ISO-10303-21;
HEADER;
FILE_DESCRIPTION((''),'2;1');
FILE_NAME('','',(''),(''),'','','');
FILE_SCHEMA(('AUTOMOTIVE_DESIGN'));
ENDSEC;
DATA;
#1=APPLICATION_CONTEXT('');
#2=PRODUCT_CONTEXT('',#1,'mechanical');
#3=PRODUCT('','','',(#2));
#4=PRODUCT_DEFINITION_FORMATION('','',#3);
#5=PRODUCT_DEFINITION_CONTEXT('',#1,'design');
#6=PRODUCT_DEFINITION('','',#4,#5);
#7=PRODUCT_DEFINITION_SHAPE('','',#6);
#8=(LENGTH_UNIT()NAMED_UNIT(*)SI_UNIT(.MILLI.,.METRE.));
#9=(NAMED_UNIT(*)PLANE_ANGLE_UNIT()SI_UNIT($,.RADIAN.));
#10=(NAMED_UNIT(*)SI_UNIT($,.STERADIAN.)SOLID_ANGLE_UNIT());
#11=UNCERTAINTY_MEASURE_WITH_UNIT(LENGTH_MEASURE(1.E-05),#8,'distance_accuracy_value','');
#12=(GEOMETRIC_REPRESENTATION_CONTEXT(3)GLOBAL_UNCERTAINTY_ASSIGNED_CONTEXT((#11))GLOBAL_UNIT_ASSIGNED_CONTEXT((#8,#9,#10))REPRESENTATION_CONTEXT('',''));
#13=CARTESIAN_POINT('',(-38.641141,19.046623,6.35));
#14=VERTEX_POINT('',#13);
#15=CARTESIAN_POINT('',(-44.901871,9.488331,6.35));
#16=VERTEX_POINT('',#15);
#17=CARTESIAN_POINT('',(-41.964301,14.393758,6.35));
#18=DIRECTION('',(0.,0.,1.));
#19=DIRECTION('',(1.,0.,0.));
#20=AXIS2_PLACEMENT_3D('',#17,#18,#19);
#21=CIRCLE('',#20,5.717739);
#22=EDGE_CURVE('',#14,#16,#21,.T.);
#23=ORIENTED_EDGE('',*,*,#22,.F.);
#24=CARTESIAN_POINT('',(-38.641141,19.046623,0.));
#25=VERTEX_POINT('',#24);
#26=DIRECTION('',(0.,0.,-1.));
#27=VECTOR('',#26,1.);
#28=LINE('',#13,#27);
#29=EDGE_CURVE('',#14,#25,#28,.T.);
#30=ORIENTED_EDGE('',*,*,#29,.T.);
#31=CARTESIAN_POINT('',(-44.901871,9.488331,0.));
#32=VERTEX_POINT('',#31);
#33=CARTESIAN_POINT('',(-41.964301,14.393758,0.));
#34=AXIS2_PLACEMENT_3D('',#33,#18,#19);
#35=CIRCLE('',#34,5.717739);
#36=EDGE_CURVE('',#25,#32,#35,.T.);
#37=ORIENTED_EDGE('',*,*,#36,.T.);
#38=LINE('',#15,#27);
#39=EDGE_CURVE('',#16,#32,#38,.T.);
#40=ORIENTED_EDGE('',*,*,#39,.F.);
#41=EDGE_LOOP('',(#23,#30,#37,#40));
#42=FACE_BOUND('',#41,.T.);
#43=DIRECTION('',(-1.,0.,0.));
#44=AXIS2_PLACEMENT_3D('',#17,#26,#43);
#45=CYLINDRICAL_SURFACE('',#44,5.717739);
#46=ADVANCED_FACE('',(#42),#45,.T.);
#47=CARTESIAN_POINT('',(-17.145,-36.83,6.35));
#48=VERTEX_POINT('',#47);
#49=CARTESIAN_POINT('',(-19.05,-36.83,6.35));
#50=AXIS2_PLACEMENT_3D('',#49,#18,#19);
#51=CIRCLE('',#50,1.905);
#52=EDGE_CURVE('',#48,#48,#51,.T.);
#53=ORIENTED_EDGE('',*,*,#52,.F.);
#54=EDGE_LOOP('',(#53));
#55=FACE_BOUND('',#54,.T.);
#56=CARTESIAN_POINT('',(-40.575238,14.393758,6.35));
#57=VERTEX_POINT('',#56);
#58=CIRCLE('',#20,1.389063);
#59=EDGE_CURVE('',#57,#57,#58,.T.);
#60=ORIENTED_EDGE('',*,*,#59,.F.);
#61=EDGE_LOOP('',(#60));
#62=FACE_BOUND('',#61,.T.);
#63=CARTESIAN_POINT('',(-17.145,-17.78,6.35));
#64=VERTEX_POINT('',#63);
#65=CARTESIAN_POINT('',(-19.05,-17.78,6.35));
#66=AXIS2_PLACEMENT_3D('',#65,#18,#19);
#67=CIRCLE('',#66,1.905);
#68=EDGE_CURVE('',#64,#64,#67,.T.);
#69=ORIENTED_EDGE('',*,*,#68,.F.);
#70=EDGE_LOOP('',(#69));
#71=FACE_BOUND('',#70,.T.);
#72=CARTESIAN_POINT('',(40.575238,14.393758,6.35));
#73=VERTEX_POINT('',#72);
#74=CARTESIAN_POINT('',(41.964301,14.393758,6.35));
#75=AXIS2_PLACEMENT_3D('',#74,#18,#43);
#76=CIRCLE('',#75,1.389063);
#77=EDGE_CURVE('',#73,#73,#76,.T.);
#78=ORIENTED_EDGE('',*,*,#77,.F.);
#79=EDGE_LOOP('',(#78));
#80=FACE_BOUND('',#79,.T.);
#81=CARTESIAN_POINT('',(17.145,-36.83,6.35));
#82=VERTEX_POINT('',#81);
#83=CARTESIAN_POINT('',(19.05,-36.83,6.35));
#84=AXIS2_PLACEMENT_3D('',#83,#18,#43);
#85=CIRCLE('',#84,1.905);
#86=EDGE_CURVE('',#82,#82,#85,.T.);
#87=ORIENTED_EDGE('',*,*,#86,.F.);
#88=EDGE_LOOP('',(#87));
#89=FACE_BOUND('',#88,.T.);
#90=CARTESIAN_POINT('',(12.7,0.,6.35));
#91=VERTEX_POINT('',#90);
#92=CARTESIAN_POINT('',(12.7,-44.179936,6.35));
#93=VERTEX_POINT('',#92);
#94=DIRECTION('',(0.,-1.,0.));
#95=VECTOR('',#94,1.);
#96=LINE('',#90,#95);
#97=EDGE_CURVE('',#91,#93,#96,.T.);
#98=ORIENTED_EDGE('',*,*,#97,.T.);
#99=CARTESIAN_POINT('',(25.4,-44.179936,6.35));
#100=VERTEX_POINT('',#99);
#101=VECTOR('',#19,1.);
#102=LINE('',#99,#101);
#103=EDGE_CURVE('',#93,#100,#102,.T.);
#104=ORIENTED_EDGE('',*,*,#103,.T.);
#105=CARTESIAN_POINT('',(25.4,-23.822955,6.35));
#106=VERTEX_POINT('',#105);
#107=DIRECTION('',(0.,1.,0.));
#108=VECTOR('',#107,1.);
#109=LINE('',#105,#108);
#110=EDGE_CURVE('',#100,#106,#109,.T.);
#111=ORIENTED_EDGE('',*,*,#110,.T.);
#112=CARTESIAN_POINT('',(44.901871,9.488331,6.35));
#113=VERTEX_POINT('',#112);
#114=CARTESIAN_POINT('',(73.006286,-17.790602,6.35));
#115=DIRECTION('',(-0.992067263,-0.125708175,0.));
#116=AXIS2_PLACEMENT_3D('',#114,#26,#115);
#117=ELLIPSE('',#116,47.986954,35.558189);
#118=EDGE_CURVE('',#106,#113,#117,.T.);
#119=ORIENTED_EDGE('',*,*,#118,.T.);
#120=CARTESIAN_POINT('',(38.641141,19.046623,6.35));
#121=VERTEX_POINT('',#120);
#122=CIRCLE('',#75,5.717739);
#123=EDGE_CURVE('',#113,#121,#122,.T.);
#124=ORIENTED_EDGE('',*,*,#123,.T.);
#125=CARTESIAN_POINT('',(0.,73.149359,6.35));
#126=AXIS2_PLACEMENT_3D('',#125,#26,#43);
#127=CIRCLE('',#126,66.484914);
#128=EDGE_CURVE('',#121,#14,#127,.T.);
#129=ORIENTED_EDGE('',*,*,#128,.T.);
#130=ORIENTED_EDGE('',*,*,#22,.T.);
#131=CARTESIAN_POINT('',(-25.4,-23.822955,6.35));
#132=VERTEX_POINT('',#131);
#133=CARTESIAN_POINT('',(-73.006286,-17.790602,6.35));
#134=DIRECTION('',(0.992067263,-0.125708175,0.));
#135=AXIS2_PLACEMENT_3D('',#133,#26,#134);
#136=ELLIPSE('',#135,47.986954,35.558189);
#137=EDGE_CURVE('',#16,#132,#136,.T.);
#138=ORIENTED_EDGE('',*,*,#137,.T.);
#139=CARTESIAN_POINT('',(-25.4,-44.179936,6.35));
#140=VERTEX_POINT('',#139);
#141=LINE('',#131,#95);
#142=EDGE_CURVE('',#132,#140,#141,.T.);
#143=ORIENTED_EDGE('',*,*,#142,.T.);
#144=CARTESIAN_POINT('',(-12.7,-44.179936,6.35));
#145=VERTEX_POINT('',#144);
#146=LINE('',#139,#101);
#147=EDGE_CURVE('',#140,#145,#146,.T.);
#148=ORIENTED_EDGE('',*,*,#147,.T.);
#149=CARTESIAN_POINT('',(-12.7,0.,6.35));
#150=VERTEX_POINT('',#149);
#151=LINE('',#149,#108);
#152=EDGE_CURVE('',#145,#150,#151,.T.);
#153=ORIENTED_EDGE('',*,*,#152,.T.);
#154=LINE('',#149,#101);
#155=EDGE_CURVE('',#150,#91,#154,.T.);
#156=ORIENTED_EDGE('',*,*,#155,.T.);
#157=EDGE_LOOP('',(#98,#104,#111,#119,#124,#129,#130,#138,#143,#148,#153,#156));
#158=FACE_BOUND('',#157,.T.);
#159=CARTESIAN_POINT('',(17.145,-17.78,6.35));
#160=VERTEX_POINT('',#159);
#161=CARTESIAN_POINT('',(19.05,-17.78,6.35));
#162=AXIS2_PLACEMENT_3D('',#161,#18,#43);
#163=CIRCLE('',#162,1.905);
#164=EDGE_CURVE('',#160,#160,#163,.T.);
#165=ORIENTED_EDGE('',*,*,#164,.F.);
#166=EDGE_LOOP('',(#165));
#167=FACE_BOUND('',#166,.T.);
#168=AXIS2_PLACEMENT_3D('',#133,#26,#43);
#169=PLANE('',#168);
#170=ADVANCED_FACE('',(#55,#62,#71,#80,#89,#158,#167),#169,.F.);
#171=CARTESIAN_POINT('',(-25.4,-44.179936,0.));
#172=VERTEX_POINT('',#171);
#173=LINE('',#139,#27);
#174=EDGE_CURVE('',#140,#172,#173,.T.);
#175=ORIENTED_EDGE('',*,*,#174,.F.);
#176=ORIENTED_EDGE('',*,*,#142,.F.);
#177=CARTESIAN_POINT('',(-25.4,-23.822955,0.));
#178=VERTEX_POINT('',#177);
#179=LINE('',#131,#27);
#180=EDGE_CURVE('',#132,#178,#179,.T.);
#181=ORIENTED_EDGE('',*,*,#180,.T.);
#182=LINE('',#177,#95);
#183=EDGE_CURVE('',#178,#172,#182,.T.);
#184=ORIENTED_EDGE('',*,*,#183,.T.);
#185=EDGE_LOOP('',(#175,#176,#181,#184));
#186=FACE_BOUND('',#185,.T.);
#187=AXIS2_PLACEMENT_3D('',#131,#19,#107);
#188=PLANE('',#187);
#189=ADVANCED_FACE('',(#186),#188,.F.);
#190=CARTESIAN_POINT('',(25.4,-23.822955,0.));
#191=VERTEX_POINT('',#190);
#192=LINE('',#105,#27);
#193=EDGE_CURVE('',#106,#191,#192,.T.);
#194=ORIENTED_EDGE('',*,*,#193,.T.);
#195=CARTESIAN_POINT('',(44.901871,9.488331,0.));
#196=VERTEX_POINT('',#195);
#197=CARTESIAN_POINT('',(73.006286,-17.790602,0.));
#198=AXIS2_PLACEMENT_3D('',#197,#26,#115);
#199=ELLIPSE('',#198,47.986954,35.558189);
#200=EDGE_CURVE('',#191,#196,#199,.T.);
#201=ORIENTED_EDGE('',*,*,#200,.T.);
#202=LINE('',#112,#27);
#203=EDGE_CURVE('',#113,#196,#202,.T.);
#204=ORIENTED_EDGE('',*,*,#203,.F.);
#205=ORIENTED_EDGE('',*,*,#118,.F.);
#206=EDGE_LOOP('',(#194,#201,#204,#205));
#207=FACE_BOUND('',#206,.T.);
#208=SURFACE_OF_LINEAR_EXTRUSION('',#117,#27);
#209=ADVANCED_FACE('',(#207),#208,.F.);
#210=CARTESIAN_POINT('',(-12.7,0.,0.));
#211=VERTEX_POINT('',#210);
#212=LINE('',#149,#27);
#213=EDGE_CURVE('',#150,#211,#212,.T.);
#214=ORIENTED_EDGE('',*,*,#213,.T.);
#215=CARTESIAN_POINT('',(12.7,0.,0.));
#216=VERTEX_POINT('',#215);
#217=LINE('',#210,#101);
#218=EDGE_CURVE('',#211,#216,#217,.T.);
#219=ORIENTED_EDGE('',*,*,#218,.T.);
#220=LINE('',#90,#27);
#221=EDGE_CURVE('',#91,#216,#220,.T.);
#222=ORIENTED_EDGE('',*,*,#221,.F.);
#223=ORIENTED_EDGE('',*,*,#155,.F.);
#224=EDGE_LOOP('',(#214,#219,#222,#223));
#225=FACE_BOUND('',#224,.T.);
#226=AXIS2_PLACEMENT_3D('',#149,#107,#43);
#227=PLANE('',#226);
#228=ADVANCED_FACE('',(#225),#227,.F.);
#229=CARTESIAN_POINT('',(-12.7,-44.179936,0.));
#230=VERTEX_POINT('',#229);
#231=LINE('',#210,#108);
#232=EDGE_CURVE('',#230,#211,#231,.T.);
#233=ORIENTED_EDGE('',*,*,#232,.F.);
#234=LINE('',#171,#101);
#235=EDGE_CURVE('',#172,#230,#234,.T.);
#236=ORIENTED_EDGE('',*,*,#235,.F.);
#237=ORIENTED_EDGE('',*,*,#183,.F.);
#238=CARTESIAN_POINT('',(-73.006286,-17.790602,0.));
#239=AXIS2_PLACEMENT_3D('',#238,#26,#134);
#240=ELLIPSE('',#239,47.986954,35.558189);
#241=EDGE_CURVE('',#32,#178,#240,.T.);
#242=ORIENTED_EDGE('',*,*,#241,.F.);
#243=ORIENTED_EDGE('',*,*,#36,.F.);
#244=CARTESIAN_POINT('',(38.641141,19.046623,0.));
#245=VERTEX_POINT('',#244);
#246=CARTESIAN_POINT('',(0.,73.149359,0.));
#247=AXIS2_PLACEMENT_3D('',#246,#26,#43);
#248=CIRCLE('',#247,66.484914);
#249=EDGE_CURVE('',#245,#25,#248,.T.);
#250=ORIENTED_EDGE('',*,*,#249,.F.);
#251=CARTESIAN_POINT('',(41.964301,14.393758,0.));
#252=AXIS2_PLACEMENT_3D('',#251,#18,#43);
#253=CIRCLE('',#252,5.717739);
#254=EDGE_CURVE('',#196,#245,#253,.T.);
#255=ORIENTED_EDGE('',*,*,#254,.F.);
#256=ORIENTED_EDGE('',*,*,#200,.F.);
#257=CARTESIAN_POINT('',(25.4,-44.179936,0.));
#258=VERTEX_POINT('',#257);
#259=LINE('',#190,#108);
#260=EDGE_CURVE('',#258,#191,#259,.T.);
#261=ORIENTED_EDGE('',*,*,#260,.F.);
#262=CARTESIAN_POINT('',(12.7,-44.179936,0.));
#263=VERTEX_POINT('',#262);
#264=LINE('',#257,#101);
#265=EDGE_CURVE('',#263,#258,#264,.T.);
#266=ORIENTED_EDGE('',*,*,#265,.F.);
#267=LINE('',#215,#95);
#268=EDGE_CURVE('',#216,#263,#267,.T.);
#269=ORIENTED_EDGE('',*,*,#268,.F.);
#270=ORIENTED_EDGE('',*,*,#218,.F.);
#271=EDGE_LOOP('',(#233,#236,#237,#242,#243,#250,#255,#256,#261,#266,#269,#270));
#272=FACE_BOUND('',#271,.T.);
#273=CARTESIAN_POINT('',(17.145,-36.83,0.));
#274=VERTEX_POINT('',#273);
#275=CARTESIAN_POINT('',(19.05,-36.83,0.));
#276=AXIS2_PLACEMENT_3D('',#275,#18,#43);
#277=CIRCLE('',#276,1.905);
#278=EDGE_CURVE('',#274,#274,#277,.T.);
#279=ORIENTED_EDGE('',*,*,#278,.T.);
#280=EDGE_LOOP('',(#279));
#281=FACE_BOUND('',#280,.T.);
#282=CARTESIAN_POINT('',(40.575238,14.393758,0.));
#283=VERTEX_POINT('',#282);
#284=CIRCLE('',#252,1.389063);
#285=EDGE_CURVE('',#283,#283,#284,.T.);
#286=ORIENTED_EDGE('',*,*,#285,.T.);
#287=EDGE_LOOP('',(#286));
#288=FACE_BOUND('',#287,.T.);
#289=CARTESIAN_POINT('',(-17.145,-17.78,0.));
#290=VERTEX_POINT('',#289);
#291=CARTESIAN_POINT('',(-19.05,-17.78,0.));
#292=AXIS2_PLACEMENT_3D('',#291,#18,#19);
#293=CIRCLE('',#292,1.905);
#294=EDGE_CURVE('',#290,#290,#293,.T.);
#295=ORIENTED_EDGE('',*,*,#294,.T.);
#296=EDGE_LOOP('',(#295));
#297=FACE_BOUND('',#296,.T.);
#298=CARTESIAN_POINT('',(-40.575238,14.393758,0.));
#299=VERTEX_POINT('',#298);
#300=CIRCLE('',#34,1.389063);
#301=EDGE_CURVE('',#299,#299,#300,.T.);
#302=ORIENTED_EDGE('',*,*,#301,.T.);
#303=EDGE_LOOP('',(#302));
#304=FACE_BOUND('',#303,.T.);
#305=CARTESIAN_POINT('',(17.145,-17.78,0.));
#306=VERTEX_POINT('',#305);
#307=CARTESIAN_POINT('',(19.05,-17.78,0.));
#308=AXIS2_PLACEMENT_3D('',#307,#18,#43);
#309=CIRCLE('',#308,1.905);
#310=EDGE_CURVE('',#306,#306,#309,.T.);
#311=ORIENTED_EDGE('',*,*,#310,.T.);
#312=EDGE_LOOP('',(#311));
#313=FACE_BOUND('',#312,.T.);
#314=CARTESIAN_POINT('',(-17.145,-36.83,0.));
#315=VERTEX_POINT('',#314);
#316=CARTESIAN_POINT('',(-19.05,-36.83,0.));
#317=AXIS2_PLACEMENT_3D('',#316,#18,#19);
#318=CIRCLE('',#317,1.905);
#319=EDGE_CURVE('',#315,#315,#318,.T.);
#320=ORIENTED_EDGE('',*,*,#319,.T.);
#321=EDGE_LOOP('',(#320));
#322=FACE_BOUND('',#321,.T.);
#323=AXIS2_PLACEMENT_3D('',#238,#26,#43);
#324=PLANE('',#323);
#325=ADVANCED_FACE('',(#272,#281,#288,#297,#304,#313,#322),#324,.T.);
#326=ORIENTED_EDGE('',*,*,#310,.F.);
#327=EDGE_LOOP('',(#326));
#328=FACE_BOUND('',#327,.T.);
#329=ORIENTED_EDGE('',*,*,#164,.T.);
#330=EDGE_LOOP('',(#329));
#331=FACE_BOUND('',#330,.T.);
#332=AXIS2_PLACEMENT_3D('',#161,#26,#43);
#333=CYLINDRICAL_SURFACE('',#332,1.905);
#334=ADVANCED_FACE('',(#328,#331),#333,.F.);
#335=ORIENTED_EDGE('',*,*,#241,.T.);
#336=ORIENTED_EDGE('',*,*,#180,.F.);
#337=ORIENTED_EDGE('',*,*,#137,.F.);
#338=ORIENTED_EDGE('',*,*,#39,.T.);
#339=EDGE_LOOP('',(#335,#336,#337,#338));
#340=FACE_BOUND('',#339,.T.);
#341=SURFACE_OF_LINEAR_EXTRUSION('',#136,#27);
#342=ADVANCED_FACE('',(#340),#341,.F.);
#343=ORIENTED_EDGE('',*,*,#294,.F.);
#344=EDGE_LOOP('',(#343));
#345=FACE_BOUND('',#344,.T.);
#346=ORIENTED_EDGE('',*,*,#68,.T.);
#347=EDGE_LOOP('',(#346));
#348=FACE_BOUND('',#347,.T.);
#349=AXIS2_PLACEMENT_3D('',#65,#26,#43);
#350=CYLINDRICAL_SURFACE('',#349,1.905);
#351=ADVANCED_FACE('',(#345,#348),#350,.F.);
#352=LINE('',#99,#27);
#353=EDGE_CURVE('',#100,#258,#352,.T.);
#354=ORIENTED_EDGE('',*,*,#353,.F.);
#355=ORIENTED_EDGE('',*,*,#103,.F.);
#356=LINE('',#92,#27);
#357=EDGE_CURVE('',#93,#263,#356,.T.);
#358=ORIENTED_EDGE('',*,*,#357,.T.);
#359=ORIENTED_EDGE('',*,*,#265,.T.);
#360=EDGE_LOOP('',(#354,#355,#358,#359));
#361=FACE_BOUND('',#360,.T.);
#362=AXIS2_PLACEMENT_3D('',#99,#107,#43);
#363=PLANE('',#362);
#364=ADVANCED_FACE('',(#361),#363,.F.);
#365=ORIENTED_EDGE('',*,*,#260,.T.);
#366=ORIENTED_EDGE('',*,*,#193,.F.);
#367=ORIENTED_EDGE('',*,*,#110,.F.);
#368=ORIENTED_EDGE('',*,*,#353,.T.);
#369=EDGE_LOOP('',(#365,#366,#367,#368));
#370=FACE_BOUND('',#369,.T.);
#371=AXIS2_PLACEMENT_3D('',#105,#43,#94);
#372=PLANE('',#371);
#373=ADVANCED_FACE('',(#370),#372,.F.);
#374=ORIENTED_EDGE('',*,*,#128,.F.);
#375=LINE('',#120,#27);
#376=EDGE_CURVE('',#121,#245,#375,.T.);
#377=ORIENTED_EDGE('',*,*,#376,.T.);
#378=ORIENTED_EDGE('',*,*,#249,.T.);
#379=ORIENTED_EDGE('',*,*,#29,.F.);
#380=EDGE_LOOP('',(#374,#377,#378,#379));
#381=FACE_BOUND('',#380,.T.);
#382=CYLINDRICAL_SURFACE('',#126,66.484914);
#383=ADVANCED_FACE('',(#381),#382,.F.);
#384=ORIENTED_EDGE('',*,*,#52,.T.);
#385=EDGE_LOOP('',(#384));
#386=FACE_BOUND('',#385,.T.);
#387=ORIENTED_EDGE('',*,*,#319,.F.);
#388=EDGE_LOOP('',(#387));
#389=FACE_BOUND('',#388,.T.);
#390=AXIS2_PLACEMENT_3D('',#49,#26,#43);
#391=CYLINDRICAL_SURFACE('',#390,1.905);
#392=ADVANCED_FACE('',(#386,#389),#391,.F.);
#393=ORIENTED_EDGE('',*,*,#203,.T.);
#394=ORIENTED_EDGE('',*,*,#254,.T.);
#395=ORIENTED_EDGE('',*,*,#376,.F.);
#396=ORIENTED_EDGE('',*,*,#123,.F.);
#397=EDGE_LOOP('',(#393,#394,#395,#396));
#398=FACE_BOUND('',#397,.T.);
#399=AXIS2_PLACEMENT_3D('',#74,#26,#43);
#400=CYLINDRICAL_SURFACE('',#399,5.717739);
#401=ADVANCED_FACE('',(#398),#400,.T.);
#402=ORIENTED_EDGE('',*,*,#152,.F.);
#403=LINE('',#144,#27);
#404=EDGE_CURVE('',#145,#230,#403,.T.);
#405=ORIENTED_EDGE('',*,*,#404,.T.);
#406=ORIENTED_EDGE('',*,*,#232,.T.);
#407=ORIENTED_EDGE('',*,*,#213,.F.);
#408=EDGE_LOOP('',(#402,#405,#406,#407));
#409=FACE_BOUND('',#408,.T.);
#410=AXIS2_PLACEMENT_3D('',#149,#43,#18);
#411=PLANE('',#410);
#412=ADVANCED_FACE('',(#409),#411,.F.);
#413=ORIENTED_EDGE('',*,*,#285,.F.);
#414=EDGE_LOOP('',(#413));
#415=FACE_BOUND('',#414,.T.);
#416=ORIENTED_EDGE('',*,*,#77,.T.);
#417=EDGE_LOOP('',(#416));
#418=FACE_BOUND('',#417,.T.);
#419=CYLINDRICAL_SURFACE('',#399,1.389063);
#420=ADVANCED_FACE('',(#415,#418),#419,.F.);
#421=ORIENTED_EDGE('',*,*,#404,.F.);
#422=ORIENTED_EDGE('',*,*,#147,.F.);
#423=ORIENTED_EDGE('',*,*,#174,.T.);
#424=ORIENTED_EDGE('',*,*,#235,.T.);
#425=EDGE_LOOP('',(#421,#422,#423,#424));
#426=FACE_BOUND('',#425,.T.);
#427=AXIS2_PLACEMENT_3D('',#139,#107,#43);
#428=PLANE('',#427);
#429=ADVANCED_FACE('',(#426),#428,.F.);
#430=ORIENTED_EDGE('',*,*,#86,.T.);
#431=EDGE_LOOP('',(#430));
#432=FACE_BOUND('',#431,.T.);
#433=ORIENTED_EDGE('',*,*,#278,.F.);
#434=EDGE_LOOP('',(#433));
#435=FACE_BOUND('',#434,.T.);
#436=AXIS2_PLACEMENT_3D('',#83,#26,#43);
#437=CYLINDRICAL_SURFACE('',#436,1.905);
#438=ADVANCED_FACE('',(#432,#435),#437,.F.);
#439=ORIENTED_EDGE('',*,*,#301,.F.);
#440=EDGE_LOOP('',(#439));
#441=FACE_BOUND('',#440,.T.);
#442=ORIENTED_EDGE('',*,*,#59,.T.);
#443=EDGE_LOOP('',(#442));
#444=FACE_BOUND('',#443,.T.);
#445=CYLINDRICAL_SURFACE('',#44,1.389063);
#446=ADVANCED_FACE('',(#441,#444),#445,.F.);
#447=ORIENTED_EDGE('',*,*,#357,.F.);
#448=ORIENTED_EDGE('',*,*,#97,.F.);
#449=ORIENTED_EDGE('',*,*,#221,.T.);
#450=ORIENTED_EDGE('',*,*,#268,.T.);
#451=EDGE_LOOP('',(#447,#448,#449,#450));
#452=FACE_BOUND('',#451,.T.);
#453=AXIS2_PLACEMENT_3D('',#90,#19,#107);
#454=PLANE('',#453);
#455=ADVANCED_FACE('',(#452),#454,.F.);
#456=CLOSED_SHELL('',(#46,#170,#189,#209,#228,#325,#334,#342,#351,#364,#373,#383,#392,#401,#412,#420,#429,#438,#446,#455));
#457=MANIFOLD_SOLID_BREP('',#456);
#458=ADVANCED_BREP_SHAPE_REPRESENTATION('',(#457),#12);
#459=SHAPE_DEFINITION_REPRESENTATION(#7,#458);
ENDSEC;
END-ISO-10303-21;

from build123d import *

# Parameters (mm, degrees)
SKETCH1_R           = 1.3890625
SKETCH1_R_2         = 1.905
BOSS_EXTRUDE1_DEPTH = 6.35


with BuildPart() as part:
    # Sketch1 → Boss-Extrude1 (new body)
    with BuildSketch(Plane.XY):
        with BuildLine():
            Line((-12.7, 0), (12.7, 0))
            Line((12.7, 0), (12.7, -44.17993629))
            Line((12.7, -44.17993629), (25.4, -44.17993629))
            Line((25.4, -44.17993629), (25.4, -23.822954819))
            add(Edge.make_bspline(
                [(44.901870562, 9.48833089), (22.852171125, -3.715928222), (25.4, -23.822954819)],
                knots=[5.247063621, 5.247063621, 5.247063621, 6.283185307, 6.283185307, 6.283185307], degree=2, weights=[1, 0.868781076, 1]))
            ThreePointArc((44.901870562, 9.48833089), (46.747333824, 17.526669162), (38.641141335, 19.046623163))
            ThreePointArc((38.641141335, 19.046623163), (0, 6.664444687), (-38.641141335, 19.046623163))
            ThreePointArc((-38.641141335, 19.046623163), (-46.747333824, 17.526669162), (-44.901870562, 9.48833089))
            add(Edge.make_bspline(
                [(-25.4, -23.822954819), (-22.852171125, -3.715928222), (-44.901870562, 9.48833089)],
                knots=[0, 0, 0, 1.036121686, 1.036121686, 1.036121686], degree=2, weights=[1, 0.868781076, 1]))
            Line((-25.4, -23.822954819), (-25.4, -44.17993629))
            Line((-25.4, -44.17993629), (-12.7, -44.17993629))
            Line((-12.7, -44.17993629), (-12.7, 0))
        make_face()
        with Locations(Location((41.964300524, 14.393758438, 0), (0, 0, 180))):
            Circle(SKETCH1_R, mode=Mode.SUBTRACT)
        with Locations((-41.964300524, 14.393758438)):
            Circle(SKETCH1_R, mode=Mode.SUBTRACT)
        with Locations((-19.05, -17.78)):
            Circle(SKETCH1_R_2, mode=Mode.SUBTRACT)
        with Locations((-19.05, -36.83)):
            Circle(SKETCH1_R_2, mode=Mode.SUBTRACT)
        with Locations(Location((19.05, -36.83, 0), (0, 0, 180))):
            Circle(SKETCH1_R_2, mode=Mode.SUBTRACT)
        with Locations(Location((19.05, -17.78, 0), (0, 0, 180))):
            Circle(SKETCH1_R_2, mode=Mode.SUBTRACT)
    extrude(amount=BOSS_EXTRUDE1_DEPTH)


solid = part.part
